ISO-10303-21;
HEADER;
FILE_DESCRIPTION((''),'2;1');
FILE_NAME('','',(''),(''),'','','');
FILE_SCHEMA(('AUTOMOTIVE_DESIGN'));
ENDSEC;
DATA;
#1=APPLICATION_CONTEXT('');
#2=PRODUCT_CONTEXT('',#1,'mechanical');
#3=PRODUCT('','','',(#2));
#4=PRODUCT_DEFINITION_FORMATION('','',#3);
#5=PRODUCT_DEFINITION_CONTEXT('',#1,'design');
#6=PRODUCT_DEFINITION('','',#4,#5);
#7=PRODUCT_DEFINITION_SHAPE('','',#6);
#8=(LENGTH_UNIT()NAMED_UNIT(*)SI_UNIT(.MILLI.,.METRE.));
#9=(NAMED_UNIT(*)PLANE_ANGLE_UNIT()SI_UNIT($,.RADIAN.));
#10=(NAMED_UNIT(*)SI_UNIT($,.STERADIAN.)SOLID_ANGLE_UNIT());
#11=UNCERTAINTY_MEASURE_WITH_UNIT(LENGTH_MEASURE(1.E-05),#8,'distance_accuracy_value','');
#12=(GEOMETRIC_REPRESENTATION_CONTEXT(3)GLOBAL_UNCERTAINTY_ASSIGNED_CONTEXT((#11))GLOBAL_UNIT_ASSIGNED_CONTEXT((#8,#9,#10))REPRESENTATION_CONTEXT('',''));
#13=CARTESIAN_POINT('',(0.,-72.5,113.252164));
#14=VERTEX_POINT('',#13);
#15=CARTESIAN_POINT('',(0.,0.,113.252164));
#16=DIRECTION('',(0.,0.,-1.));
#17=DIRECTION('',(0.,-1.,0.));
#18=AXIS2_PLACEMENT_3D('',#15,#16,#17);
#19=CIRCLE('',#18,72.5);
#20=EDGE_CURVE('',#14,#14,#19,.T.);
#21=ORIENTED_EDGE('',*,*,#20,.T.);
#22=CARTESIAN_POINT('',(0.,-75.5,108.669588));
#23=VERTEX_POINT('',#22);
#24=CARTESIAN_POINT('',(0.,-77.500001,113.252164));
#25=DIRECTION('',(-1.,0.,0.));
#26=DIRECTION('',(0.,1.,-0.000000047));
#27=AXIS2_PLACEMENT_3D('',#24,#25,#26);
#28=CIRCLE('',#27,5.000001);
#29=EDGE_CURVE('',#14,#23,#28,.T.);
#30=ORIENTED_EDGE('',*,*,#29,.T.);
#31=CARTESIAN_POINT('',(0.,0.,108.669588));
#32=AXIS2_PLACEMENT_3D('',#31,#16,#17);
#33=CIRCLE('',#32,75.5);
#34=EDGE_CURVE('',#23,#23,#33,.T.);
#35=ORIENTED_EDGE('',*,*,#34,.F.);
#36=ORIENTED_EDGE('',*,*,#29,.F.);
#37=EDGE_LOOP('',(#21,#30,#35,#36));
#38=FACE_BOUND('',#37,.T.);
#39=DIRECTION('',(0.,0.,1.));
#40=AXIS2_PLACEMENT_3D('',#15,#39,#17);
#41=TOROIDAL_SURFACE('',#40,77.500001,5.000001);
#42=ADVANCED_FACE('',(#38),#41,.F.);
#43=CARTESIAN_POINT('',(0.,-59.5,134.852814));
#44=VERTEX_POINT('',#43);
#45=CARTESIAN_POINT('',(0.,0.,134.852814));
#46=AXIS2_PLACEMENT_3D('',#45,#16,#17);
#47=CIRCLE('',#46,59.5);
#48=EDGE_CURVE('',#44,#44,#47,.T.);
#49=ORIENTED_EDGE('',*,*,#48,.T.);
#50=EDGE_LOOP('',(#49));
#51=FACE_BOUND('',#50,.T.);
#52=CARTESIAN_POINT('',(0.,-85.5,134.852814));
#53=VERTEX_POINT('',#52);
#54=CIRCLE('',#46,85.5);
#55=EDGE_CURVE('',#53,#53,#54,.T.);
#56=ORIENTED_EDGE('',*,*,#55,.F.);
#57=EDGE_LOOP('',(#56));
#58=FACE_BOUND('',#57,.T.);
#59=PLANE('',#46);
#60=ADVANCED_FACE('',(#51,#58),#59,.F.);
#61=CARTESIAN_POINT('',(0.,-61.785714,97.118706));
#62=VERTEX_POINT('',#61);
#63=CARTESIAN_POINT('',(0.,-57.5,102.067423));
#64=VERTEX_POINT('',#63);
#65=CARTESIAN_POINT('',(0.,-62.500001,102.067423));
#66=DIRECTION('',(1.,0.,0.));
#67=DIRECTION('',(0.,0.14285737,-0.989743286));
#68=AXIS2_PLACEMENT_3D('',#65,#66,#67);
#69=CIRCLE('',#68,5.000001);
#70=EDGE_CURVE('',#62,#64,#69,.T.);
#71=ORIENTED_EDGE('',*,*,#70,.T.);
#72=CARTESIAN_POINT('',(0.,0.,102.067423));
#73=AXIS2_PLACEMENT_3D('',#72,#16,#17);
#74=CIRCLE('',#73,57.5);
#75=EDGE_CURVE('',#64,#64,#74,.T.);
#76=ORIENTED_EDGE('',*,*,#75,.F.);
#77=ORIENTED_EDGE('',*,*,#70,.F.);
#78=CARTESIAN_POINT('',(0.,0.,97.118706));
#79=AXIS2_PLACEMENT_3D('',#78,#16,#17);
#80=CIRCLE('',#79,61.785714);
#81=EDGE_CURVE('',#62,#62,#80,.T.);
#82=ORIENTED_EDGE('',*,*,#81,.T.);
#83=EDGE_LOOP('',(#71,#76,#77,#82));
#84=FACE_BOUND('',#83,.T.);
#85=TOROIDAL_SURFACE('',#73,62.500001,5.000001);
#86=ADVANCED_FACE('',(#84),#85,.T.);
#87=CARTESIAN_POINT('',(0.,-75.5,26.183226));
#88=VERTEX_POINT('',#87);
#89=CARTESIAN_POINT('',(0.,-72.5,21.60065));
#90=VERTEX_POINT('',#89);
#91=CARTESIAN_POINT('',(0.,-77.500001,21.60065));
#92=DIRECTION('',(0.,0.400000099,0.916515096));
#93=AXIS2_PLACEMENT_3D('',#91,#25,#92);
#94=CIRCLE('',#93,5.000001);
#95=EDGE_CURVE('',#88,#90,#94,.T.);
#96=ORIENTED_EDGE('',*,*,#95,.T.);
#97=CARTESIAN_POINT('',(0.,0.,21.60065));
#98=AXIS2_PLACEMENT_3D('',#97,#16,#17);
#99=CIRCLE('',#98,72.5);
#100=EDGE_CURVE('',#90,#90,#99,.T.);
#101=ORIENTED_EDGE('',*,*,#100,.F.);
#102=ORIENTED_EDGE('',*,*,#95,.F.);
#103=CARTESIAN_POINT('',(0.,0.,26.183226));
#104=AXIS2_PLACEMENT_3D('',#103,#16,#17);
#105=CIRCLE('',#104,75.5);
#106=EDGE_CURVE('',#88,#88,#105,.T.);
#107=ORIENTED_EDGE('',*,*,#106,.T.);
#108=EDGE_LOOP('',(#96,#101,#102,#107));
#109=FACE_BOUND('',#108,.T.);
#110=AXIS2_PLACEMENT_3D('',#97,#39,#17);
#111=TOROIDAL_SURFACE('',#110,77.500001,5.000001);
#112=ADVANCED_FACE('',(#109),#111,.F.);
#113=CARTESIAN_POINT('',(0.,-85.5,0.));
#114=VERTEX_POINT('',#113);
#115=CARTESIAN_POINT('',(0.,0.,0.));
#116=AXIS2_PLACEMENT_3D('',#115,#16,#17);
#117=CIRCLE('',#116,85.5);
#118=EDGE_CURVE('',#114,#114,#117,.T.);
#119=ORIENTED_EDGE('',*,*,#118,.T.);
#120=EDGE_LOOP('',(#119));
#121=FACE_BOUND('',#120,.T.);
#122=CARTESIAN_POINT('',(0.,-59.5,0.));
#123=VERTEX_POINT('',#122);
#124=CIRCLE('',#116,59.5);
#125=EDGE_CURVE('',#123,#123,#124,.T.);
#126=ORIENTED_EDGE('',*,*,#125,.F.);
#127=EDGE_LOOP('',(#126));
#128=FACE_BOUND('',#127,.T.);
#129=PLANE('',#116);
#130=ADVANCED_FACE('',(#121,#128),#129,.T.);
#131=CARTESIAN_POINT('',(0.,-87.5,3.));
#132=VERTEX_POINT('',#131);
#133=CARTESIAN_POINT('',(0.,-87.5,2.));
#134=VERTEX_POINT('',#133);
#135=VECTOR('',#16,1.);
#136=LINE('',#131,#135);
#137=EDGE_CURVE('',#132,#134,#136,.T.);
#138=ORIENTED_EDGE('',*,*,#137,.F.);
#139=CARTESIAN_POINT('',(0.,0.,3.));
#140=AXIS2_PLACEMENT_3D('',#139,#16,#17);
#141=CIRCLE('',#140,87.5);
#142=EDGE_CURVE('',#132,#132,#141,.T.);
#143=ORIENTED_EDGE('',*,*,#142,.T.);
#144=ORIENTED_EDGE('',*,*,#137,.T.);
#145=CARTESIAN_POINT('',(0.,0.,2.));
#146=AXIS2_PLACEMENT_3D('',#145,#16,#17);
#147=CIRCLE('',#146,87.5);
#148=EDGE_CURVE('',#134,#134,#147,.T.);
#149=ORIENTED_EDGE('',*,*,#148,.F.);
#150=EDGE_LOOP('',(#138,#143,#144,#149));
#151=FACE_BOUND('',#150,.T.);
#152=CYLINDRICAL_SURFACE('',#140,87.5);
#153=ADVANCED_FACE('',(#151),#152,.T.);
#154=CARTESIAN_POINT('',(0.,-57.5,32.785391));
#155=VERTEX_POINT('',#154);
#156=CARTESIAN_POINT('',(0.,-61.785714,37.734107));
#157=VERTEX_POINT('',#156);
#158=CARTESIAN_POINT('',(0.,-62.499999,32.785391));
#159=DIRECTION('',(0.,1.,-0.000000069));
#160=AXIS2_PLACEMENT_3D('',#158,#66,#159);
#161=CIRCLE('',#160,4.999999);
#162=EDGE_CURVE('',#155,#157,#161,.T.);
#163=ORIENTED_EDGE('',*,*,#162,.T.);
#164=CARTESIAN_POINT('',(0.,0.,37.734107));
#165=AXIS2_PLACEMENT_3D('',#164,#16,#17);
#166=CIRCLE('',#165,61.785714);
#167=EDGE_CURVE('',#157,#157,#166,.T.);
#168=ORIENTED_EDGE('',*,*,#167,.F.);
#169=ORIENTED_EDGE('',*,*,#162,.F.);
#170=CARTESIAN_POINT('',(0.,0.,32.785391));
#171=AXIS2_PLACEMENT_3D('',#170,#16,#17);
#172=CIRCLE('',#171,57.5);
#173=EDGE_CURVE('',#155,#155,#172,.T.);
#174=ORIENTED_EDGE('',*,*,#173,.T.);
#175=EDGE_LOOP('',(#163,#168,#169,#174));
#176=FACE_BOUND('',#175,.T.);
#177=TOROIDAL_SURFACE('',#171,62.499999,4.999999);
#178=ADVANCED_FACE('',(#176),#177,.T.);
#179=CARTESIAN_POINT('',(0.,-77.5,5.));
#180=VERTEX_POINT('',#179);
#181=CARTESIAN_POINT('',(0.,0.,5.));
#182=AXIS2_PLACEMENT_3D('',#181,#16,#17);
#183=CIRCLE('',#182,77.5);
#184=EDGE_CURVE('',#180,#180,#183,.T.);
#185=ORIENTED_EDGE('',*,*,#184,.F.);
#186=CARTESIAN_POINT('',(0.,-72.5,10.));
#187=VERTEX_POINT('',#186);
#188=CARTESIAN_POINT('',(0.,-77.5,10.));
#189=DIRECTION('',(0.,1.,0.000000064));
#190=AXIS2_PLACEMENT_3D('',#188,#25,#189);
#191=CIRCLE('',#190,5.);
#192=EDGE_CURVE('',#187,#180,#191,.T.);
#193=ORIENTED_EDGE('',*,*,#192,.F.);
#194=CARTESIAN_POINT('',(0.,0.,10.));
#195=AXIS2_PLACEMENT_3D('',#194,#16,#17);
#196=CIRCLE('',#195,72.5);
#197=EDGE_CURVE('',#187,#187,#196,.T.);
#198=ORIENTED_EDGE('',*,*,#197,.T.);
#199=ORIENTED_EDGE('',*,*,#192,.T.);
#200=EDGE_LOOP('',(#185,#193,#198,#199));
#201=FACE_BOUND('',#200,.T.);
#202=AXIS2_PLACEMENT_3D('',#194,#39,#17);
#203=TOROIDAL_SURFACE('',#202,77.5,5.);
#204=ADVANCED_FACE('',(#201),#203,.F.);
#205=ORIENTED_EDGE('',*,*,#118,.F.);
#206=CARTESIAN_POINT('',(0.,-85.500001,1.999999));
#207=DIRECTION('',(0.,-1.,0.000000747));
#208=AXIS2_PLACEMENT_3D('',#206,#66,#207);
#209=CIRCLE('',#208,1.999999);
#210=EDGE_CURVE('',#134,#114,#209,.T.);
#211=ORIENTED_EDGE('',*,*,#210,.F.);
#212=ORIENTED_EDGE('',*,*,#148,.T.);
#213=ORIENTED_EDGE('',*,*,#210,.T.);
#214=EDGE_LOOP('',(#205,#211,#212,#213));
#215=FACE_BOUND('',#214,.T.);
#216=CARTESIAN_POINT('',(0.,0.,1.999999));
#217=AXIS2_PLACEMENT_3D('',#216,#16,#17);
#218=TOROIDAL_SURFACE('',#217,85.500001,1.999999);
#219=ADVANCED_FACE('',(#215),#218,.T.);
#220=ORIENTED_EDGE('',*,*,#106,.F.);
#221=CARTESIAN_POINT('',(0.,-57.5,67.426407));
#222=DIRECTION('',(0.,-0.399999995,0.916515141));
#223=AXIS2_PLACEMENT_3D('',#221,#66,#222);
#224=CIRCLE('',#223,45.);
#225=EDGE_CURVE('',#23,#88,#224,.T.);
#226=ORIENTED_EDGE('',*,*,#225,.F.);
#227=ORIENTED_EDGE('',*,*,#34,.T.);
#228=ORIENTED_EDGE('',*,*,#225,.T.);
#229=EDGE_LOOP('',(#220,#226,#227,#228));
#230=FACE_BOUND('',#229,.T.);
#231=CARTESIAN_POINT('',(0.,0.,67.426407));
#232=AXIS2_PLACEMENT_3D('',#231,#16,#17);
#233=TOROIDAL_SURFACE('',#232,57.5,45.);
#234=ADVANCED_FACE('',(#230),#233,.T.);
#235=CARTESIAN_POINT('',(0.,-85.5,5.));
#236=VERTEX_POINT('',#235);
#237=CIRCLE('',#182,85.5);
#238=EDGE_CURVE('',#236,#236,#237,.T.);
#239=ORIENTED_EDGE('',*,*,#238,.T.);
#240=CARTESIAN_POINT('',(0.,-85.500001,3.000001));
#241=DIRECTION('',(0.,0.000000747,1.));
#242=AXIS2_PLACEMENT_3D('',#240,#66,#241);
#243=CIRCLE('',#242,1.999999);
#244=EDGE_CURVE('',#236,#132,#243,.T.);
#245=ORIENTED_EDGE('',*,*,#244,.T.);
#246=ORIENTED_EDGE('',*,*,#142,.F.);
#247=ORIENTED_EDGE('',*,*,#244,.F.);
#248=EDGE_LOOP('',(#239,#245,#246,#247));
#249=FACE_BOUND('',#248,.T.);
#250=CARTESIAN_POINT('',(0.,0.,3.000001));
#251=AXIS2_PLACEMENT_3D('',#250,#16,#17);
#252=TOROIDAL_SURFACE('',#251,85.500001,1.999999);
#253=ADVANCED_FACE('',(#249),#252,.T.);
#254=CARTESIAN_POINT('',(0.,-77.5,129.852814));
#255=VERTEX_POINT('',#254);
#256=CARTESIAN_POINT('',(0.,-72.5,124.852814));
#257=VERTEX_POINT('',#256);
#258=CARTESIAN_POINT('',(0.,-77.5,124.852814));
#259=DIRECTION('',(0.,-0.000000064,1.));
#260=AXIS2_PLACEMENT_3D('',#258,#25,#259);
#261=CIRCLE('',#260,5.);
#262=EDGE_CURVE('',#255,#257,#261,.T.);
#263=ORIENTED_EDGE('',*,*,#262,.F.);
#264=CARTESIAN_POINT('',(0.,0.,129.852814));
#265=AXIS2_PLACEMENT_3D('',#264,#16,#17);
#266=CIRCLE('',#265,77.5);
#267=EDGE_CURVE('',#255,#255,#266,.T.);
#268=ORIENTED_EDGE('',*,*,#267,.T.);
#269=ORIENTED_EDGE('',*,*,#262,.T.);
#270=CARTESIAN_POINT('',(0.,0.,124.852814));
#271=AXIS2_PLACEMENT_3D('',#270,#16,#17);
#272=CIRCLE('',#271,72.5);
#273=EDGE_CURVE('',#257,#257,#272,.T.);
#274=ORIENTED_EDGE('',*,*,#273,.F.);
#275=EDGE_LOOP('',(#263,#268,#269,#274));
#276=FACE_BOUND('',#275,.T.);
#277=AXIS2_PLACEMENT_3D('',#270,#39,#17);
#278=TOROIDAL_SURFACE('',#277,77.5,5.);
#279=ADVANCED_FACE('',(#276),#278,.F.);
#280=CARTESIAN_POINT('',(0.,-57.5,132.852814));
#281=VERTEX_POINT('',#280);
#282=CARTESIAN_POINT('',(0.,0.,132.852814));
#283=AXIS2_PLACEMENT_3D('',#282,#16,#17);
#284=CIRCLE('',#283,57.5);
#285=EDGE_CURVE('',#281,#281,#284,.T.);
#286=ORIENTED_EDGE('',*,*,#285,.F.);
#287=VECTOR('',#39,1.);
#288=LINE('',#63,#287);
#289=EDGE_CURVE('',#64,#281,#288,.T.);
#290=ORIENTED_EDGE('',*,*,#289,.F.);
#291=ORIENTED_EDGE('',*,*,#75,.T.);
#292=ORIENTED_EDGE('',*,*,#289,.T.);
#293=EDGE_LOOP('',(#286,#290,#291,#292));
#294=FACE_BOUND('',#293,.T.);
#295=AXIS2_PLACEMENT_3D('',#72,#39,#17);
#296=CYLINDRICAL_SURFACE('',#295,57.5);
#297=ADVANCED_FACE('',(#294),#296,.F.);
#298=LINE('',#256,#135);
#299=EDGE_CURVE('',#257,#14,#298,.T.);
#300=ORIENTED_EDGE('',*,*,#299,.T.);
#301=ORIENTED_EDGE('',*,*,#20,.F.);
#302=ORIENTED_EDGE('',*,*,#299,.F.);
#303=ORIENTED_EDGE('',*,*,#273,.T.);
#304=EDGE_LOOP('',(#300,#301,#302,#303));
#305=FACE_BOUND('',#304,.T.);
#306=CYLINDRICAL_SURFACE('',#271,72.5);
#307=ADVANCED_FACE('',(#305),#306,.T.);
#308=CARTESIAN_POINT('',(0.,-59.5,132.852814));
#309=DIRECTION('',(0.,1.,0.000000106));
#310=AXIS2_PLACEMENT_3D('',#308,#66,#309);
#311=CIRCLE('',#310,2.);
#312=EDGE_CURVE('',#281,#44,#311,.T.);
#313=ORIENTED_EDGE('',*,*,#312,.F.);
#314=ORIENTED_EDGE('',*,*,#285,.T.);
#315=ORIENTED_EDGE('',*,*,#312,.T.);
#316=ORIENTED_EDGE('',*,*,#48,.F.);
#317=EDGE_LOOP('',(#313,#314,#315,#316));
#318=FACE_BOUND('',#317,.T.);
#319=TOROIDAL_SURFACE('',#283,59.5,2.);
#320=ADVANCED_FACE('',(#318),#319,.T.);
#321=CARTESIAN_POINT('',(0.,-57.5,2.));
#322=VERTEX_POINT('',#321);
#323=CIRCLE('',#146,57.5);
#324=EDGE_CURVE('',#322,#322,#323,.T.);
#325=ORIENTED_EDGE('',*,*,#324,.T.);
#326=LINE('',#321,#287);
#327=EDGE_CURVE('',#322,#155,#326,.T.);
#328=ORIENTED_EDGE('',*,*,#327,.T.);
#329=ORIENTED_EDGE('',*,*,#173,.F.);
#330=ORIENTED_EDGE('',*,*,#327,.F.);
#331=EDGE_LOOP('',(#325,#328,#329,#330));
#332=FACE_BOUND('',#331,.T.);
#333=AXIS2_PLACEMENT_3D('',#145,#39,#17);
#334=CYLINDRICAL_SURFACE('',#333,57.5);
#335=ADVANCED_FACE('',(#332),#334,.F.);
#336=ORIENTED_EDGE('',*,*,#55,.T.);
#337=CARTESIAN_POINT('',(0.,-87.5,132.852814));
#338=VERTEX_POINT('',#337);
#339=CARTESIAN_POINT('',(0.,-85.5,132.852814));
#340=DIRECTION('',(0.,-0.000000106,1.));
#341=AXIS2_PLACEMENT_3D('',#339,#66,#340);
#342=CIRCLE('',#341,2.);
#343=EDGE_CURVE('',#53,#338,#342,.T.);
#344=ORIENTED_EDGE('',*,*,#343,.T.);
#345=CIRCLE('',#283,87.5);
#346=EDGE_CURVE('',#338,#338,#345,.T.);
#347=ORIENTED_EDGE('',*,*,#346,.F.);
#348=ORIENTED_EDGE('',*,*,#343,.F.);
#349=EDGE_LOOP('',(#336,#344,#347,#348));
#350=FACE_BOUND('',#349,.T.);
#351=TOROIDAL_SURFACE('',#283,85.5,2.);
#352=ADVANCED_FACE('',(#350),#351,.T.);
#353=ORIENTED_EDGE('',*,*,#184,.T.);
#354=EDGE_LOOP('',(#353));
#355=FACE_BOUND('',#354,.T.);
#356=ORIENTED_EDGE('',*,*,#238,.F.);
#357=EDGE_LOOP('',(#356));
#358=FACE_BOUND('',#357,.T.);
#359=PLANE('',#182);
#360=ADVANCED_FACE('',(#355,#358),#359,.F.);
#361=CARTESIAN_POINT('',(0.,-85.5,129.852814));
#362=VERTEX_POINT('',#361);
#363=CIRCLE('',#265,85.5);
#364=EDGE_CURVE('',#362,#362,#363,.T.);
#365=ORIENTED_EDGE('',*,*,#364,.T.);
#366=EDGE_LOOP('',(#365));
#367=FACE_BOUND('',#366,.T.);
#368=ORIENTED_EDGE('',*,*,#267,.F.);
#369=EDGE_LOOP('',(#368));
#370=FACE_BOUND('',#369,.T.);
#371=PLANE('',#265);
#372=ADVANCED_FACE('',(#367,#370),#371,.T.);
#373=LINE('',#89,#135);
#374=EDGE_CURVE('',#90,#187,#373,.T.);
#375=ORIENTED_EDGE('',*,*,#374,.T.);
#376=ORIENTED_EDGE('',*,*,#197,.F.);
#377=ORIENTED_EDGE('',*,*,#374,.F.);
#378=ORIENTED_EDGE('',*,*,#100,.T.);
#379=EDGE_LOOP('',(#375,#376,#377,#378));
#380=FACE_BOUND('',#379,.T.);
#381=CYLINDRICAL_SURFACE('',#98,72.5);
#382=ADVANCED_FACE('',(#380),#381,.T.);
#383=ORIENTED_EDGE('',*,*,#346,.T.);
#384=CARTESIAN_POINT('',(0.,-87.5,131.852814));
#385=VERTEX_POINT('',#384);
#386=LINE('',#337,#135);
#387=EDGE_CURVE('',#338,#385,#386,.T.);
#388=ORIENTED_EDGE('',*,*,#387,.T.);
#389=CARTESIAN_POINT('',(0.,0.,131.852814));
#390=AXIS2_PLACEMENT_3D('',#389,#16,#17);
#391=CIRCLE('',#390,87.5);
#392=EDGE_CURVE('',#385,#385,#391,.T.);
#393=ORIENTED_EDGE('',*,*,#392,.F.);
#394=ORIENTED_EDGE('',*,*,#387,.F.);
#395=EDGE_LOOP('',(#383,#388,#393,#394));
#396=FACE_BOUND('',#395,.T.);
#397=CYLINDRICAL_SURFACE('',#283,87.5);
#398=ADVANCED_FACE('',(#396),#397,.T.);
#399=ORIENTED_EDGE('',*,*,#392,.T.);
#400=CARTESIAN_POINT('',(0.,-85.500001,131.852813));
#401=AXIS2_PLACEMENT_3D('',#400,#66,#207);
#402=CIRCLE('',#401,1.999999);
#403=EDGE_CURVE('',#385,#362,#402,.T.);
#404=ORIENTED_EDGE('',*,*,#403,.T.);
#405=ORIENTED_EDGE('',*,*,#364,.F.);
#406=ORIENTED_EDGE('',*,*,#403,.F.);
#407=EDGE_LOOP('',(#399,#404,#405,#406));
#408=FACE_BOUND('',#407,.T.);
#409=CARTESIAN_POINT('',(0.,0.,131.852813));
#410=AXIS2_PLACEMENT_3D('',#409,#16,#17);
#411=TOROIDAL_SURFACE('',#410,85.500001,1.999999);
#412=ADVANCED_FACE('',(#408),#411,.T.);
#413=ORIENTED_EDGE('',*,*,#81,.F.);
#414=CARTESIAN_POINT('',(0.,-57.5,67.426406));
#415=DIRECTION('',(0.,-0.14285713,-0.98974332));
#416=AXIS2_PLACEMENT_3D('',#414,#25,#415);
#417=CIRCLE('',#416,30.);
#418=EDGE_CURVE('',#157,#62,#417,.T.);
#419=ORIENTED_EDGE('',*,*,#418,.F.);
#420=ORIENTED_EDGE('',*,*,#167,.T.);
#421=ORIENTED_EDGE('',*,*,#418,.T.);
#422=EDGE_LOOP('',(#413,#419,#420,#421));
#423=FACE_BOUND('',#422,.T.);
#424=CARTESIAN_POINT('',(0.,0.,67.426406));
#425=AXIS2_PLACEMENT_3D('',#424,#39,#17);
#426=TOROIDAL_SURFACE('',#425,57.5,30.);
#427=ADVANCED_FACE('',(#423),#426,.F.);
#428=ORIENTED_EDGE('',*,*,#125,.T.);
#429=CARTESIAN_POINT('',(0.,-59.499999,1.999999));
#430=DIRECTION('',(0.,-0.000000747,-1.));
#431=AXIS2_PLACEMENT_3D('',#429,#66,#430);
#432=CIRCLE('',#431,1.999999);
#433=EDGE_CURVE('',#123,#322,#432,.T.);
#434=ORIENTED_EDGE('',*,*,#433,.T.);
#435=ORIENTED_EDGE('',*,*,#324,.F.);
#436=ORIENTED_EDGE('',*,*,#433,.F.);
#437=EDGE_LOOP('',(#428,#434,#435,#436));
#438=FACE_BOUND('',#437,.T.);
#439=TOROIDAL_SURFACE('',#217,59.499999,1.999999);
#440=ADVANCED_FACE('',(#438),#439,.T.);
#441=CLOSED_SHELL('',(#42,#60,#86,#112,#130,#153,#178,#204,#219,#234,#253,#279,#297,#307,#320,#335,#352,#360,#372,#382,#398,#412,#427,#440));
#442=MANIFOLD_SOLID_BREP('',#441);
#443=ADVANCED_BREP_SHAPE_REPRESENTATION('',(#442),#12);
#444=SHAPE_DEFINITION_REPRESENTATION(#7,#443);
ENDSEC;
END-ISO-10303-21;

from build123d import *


with BuildPart() as f1:
    # F0 (on Right) → F1 (revolve)
    with BuildSketch(Plane.YZ):
        with BuildLine():
            Line((-85.5, 0), (-59.5, 0))
            ThreePointArc((-59.5, 0), (-58.085786, 0.585786), (-57.5, 2))
            Line((-57.5, 2), (-57.5, 32.785391))
            ThreePointArc((-57.5, 32.785391), (-58.720355, 36.058659), (-61.785714, 37.734107))
            ThreePointArc((-61.785714, 37.734107), (-87.5, 67.426407), (-61.785714, 97.118706))
            ThreePointArc((-61.785714, 97.118706), (-58.720355, 98.794155), (-57.5, 102.067423))
            Line((-57.5, 102.067423), (-57.5, 132.852814))
            ThreePointArc((-57.5, 132.852814), (-58.085786, 134.267027), (-59.5, 134.852814))
            Line((-59.5, 134.852814), (-85.5, 134.852814))
            ThreePointArc((-85.5, 134.852814), (-86.914214, 134.267027), (-87.5, 132.852814))
            Line((-87.5, 132.852814), (-87.5, 131.852814))
            ThreePointArc((-87.5, 131.852814), (-86.914214, 130.4386), (-85.5, 129.852814))
            Line((-85.5, 129.852814), (-77.5, 129.852814))
            ThreePointArc((-77.5, 129.852814), (-73.964466, 128.388348), (-72.5, 124.852814))
            Line((-72.5, 124.852814), (-72.5, 113.252164))
            ThreePointArc((-72.5, 113.252164), (-73.3167, 110.513551), (-75.5, 108.669588))
            ThreePointArc((-75.5, 108.669588), (-102.5, 67.426407), (-75.5, 26.183226))
            ThreePointArc((-75.5, 26.183226), (-73.3167, 24.339263), (-72.5, 21.60065))
            Line((-72.5, 21.60065), (-72.5, 10))
            ThreePointArc((-72.5, 10), (-73.964466, 6.464466), (-77.5, 5))
            Line((-77.5, 5), (-85.5, 5))
            ThreePointArc((-85.5, 5), (-86.914214, 4.414214), (-87.5, 3))
            Line((-87.5, 3), (-87.5, 2))
            ThreePointArc((-87.5, 2), (-86.914214, 0.585786), (-85.5, 0))
        make_face()
    revolve(axis=Axis((0, 0, 3.559314), (0, 0, -1)))


solid = f1.part
